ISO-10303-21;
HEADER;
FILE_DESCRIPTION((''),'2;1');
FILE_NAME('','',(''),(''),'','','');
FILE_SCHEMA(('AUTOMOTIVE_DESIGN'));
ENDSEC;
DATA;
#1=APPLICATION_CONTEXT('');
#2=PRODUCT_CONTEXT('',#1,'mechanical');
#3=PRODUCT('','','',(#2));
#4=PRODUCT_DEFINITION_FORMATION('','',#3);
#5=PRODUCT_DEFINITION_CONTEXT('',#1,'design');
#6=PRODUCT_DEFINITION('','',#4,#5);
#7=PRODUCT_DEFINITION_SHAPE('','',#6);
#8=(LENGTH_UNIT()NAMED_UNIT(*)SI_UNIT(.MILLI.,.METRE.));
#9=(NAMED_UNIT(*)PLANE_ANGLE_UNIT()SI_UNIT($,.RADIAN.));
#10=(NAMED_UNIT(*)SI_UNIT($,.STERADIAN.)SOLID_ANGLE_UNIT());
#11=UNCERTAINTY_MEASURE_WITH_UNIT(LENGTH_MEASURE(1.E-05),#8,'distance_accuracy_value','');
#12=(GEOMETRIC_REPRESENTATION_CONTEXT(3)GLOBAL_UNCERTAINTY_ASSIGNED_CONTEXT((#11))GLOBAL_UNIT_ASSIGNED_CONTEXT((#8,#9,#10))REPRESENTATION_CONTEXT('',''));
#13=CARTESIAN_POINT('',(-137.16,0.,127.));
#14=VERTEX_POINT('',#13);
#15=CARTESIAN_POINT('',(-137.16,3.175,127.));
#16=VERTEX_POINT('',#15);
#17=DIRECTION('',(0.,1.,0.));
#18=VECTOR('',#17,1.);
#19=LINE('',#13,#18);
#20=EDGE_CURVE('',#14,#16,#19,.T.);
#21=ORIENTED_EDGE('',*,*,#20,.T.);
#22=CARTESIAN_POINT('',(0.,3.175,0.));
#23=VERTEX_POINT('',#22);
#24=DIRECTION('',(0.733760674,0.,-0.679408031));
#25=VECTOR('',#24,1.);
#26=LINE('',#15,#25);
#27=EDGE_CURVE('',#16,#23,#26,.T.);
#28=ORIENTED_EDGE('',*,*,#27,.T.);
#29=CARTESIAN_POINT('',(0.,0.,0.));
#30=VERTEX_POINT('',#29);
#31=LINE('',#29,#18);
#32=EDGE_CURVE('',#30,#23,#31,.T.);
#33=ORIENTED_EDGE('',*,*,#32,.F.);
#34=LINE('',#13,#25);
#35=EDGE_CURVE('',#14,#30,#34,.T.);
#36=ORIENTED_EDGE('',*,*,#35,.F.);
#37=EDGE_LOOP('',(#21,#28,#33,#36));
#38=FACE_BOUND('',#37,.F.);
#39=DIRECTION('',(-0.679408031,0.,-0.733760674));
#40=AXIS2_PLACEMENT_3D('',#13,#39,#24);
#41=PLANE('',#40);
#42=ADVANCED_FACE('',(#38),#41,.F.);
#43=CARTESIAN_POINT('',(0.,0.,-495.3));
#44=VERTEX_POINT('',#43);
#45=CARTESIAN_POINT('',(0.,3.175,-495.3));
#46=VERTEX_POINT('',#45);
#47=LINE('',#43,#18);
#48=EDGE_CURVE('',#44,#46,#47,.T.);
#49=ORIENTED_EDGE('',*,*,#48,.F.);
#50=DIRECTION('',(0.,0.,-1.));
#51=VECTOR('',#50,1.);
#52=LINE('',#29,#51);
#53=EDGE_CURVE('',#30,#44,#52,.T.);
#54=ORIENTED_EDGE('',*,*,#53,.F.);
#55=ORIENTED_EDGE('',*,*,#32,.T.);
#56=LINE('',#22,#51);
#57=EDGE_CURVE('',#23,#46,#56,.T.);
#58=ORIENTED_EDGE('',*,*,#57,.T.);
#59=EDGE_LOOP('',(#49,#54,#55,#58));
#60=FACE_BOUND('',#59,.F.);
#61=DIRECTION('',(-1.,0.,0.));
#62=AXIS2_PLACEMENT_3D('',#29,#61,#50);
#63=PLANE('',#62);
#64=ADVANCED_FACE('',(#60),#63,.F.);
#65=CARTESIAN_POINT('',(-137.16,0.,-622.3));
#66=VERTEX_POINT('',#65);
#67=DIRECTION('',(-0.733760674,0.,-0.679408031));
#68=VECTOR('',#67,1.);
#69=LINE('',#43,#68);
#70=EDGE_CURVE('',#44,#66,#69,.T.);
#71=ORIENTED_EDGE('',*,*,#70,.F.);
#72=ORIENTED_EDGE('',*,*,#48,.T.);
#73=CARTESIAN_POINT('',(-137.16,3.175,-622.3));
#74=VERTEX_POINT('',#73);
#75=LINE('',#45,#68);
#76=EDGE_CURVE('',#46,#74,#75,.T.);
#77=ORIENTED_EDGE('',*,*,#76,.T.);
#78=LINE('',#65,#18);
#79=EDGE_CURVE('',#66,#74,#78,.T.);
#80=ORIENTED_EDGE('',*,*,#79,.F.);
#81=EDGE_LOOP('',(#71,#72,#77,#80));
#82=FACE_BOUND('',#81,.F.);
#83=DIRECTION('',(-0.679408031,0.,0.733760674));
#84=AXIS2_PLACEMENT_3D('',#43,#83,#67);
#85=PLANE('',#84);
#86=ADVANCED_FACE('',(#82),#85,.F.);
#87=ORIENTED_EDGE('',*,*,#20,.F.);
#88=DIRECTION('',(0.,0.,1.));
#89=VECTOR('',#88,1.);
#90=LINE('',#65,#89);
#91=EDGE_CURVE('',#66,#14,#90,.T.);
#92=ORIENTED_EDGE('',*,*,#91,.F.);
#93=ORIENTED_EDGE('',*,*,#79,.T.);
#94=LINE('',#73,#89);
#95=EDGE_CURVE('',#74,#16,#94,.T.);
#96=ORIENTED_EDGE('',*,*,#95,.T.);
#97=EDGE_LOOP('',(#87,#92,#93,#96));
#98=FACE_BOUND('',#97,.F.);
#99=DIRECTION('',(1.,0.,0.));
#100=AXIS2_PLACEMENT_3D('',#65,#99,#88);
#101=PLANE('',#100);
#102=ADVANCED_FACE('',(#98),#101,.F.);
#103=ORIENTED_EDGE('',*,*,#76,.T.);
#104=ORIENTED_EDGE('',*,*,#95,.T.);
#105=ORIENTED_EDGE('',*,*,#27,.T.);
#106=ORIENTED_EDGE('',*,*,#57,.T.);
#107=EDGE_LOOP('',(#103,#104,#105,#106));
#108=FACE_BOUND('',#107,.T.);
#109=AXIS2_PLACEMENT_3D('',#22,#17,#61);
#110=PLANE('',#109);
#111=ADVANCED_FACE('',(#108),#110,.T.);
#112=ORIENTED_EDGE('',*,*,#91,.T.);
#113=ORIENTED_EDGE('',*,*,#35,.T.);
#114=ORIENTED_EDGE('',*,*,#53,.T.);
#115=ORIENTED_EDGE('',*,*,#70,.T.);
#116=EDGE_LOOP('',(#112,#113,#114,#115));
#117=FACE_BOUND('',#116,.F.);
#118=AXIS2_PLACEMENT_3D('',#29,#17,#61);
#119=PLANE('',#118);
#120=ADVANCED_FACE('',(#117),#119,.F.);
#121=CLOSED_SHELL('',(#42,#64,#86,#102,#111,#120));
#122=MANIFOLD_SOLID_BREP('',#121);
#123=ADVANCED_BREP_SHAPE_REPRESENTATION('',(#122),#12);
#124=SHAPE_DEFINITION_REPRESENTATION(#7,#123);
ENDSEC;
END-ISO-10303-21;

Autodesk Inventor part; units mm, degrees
ref_plane "YZ Plane" through (0, 0, 0) normal (1, 0, 0) x (0, 1, 0)
ref_plane "XZ Plane" through (0, 0, 0) normal (0, 1, 0) x (-1, 0, 0)
ref_plane "XY Plane" through (0, 0, 0) normal (0, 0, 1) x (1, 0, 0)
sketch "Sketch1" plane through (0, 0, 0) normal (0, 1, 0) x (-1, 0, 0)
  line L0 (0, 0) -> (0, -495.3)
  line L1 (0, -495.3) -> (137.16, -622.3)
  line L2 (137.16, -622.3) -> (137.16, 127)
  line L3 (137.16, 127) -> (0, 0)
  dimension "d0" = 495.3
  dimension "d1" = 749.3
  dimension "d2" = 137.16
extrude "Extrusion1" add sketch "Sketch1" along normal blind 3.175
properties part number "Ramp - End - Polycarbonated 125" material "Polycarbonate, Clear"
